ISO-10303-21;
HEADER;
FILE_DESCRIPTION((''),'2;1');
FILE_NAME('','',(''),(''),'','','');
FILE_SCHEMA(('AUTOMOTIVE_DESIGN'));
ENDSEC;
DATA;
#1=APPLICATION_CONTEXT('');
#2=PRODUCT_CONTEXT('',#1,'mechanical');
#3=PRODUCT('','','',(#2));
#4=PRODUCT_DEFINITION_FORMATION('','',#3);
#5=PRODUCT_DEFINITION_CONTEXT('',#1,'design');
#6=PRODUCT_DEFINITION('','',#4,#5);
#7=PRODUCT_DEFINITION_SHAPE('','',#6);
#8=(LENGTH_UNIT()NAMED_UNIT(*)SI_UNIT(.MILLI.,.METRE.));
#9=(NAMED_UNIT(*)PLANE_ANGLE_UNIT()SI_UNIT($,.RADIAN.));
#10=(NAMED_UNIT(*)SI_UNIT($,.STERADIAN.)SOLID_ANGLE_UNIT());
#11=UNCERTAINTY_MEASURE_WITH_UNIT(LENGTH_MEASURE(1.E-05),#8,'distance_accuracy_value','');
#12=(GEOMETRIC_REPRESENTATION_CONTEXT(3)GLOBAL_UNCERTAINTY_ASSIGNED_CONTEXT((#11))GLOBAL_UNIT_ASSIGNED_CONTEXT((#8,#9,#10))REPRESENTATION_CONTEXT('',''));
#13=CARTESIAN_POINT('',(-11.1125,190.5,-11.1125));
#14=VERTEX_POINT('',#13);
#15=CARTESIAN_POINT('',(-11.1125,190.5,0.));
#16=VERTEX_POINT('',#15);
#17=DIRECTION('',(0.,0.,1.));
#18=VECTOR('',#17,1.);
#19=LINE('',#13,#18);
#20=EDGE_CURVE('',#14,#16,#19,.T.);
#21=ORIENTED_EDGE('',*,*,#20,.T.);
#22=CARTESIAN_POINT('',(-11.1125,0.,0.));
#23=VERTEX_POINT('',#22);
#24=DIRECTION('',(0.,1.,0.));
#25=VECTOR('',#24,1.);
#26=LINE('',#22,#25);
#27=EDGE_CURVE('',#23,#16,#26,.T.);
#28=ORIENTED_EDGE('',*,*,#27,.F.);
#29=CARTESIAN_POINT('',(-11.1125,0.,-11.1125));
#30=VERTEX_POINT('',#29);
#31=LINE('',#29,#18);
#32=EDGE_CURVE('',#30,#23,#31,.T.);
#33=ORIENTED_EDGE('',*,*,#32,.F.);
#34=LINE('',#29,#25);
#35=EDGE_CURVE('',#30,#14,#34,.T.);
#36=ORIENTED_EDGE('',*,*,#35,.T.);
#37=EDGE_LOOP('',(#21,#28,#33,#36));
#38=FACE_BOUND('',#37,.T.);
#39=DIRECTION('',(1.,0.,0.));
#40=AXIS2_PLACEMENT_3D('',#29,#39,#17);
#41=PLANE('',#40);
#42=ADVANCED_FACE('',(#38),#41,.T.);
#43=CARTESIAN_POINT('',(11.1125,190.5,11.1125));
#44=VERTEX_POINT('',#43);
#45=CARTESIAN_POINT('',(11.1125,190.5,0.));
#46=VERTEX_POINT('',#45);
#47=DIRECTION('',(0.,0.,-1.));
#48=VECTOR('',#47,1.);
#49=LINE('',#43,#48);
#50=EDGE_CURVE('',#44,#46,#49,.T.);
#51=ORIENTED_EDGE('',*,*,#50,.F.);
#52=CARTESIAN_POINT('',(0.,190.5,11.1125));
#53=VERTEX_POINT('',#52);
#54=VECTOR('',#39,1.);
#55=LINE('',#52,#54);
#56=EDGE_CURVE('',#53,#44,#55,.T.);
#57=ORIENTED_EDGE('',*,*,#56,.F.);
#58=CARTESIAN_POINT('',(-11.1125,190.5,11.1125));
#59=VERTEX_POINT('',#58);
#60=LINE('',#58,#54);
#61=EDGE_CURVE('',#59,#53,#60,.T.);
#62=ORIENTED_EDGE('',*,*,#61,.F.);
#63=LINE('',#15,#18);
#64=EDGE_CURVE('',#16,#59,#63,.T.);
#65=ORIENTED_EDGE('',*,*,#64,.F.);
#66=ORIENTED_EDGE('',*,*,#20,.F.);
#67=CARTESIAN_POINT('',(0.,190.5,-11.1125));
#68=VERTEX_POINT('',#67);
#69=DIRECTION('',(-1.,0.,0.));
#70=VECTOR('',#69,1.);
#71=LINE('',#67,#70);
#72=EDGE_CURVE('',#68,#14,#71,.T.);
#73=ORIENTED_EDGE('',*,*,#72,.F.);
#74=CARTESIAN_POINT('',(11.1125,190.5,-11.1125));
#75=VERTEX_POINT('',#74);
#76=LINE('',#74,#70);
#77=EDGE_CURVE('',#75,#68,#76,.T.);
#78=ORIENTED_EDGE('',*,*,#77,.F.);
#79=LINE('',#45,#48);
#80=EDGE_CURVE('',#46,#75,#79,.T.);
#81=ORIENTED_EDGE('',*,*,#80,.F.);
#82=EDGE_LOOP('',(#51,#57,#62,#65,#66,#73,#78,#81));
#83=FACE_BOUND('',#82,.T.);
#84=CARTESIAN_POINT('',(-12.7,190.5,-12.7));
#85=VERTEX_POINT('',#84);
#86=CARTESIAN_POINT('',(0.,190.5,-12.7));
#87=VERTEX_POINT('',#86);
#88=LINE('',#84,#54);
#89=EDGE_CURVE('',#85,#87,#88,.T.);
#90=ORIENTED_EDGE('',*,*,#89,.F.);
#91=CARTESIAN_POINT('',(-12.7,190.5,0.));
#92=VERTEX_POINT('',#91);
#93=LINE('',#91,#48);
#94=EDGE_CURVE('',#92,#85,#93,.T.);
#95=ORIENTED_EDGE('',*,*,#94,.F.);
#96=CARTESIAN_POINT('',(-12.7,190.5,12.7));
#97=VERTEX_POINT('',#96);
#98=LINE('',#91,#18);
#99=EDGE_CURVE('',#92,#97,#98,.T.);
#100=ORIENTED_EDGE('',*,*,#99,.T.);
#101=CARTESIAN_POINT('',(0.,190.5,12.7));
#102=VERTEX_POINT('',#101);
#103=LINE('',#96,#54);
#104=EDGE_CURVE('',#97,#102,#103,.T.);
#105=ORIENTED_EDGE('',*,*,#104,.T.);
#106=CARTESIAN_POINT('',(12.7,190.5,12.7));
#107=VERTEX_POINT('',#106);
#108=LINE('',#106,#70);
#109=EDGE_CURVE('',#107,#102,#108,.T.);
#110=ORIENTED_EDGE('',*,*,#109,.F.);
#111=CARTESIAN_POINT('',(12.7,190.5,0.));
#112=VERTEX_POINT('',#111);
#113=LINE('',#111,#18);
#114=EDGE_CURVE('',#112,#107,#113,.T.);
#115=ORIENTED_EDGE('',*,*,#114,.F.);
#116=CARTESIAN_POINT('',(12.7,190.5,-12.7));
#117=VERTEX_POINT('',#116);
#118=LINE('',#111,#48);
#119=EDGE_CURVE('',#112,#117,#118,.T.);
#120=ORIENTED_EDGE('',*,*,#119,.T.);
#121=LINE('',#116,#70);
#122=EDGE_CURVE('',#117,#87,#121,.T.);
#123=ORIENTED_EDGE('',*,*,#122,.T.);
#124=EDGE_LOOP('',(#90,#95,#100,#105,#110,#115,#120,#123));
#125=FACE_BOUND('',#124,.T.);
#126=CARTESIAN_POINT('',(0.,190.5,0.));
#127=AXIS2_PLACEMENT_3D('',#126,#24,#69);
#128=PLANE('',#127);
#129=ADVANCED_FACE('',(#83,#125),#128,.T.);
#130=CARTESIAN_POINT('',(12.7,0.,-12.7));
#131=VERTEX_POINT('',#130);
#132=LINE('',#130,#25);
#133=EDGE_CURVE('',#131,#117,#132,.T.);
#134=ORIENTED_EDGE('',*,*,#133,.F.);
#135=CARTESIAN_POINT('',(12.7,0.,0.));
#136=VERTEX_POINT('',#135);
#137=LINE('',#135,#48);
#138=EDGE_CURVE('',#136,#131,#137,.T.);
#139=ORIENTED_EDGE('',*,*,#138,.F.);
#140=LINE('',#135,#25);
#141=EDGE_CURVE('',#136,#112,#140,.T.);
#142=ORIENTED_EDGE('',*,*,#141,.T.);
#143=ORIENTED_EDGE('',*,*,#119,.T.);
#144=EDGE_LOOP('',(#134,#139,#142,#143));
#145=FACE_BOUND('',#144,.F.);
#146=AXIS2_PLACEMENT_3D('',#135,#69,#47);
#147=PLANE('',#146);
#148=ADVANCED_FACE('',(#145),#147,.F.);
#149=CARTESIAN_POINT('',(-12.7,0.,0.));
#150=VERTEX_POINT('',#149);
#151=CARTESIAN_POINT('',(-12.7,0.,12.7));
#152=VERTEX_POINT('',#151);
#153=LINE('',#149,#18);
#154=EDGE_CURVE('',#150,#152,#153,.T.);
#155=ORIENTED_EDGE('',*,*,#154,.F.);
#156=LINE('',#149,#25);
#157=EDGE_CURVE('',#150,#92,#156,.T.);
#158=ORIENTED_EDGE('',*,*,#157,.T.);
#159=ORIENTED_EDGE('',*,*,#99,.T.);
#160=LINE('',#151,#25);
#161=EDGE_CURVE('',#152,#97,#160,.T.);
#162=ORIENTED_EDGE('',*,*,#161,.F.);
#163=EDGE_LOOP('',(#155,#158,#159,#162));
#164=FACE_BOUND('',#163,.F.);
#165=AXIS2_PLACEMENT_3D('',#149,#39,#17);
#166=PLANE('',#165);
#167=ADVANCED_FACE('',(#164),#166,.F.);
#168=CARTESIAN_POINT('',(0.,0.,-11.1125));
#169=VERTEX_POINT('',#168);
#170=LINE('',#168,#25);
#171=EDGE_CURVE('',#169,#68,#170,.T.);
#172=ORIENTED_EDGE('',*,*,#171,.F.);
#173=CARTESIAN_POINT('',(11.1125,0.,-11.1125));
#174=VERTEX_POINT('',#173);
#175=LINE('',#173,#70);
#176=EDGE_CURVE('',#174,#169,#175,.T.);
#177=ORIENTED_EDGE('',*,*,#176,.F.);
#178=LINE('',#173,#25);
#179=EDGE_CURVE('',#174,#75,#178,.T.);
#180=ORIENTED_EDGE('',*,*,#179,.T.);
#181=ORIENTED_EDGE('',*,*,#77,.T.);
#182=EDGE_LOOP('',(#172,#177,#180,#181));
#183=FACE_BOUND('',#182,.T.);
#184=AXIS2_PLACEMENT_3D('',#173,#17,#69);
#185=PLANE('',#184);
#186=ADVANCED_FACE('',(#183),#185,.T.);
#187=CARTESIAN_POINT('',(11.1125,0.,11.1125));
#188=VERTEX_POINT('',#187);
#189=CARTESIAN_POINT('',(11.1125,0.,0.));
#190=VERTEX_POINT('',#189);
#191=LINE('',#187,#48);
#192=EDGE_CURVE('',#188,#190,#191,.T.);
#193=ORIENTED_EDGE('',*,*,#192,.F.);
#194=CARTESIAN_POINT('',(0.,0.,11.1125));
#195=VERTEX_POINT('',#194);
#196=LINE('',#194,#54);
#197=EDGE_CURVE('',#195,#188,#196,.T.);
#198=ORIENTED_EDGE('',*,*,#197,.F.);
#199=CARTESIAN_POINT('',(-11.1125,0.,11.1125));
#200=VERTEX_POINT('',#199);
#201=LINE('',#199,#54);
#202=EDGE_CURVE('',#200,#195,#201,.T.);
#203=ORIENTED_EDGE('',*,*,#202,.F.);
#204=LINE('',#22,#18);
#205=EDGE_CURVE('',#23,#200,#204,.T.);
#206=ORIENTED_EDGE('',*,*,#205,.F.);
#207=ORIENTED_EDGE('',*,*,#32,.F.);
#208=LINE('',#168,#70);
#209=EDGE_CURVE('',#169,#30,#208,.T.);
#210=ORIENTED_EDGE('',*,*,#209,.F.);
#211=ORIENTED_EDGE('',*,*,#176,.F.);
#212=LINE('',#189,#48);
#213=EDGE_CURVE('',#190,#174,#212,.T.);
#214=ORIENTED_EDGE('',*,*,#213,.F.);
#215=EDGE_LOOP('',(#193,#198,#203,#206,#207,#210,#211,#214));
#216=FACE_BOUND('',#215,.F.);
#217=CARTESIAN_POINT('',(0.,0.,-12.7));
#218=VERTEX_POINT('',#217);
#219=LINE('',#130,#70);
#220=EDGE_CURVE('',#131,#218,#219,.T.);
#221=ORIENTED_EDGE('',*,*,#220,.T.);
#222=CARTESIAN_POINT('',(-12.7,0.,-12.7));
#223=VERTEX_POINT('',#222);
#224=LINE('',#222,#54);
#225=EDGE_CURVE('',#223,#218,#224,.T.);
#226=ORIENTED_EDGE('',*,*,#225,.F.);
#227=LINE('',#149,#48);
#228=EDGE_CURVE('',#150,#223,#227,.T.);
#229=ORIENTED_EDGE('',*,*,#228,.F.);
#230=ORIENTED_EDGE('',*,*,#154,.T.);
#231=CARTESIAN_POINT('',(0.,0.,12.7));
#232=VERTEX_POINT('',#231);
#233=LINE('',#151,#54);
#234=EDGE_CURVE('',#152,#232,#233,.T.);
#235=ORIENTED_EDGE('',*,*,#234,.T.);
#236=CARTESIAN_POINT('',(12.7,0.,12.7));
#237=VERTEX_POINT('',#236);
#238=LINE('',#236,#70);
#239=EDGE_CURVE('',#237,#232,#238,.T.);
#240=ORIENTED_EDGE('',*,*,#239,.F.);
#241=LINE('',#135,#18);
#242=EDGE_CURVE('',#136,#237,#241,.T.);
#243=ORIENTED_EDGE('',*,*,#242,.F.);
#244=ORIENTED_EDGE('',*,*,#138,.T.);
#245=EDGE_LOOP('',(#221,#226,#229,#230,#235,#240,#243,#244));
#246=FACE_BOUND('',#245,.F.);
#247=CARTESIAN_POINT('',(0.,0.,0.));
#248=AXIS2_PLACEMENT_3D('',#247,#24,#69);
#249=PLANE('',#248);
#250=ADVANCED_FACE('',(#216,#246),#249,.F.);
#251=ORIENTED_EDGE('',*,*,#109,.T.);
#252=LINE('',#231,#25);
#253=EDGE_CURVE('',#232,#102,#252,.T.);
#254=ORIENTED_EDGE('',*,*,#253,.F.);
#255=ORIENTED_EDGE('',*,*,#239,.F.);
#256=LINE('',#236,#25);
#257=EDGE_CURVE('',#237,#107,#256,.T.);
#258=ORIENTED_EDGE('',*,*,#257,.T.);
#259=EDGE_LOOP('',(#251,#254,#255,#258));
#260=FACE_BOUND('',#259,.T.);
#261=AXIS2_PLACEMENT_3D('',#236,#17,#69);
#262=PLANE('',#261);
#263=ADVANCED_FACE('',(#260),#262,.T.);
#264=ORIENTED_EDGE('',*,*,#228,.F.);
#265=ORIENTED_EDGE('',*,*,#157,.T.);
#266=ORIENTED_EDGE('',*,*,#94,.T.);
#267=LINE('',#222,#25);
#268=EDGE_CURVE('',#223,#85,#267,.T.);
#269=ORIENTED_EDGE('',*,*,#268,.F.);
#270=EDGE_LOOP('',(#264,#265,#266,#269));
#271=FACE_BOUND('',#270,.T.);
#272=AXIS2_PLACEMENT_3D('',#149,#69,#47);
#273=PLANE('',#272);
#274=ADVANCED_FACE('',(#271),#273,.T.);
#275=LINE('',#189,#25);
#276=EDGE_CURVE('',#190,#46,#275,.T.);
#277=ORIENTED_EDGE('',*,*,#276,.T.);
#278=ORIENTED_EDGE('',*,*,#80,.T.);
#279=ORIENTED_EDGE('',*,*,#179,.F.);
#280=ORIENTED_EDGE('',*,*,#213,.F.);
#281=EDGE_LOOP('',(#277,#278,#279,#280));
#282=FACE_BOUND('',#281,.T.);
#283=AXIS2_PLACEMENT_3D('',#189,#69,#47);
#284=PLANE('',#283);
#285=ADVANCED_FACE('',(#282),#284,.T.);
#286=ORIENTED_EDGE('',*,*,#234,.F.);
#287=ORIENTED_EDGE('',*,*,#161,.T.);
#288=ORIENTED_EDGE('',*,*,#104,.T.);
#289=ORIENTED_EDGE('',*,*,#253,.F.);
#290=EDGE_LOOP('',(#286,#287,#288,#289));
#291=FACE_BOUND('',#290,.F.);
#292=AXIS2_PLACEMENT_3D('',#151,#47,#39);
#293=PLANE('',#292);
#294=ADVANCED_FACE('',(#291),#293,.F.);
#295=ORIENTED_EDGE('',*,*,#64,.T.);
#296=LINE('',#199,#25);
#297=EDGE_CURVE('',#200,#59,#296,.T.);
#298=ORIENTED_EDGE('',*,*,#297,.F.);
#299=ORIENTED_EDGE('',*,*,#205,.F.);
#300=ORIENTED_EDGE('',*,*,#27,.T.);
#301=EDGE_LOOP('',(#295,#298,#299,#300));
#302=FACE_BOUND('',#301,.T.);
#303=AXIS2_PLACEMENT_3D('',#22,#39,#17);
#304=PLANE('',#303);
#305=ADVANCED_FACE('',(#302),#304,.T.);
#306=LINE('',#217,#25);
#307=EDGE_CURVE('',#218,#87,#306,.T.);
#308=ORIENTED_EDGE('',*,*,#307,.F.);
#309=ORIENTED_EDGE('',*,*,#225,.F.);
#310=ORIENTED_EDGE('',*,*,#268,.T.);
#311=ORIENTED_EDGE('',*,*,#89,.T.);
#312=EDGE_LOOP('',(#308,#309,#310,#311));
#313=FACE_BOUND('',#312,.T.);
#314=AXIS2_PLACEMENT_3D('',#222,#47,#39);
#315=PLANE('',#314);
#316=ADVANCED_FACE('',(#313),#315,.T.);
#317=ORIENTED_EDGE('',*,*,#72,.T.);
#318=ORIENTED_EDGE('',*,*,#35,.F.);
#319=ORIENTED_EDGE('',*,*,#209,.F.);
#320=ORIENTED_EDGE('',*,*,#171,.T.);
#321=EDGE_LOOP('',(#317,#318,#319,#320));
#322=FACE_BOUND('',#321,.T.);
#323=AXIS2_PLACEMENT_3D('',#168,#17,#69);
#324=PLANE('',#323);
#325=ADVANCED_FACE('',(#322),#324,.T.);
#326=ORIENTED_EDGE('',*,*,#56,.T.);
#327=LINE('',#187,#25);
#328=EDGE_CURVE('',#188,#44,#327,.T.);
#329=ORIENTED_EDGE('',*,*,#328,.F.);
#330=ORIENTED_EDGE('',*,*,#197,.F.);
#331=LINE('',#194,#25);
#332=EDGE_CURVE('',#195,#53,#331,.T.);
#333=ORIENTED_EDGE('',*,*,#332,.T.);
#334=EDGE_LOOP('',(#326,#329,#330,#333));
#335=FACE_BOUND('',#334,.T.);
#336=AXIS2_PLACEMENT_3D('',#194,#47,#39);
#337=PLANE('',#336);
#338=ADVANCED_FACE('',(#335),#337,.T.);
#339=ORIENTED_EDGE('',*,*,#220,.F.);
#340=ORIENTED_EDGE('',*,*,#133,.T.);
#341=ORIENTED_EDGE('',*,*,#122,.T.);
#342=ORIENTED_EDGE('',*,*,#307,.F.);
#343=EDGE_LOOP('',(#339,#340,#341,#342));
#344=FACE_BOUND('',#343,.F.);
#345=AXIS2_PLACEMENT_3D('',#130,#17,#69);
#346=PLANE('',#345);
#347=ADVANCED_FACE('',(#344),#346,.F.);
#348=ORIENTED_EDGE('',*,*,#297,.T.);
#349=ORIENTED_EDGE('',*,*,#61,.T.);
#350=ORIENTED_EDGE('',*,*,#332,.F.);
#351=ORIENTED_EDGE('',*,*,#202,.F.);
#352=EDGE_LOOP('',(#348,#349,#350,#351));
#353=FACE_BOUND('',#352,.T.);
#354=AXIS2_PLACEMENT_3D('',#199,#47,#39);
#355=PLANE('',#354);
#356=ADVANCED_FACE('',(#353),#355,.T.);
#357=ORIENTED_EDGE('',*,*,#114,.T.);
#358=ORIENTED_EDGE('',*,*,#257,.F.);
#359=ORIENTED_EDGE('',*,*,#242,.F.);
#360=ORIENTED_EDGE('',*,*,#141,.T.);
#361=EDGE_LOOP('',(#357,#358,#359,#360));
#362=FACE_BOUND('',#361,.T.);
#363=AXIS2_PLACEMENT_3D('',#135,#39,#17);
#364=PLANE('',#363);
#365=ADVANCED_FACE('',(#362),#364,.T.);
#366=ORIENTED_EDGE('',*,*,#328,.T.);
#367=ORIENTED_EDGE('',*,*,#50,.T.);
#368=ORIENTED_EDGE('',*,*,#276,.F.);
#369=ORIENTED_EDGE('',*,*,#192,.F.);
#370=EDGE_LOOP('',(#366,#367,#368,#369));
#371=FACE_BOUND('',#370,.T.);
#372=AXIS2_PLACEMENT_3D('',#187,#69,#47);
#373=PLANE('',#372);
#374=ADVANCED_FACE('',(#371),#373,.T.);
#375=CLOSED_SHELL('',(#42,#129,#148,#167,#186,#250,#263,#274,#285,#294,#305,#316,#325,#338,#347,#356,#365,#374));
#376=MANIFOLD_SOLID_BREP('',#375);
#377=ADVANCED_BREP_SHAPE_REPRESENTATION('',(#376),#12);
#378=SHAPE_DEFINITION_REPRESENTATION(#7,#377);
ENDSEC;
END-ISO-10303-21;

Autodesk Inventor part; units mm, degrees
ref_plane "YZ Plane" through (0, 0, 0) normal (1, 0, 0) x (0, 1, 0)
ref_plane "XZ Plane" through (0, 0, 0) normal (0, 1, 0) x (-1, 0, 0)
ref_plane "XY Plane" through (0, 0, 0) normal (0, 0, 1) x (1, 0, 0)
sketch "Sketch1" plane through (0, 0, 0) normal (0, 1, 0) x (-1, 0, 0)
  line L0 (12.7, 0) -> (12.7, -12.7)
  line L1 (12.7, -12.7) -> (0, -12.7)
  line L2 (0, 0) -> (24.2319, 0) construction
  line L3 (0, 0) -> (0, -21.2534) construction
  line L4 (12.7, 0) -> (12.7, 12.7)
  line L5 (12.7, 12.7) -> (0, 12.7)
  line L6 (-12.7, 0) -> (-12.7, -12.7)
  line L7 (-12.7, -12.7) -> (0, -12.7)
  line L8 (-12.7, 0) -> (-12.7, 12.7)
  line L9 (-12.7, 12.7) -> (0, 12.7)
  line L10 (0, -11.1125) -> (11.1125, -11.1125)
  line L11 (11.1125, -11.1125) -> (11.1125, 0)
  line L12 (11.1125, 0) -> (11.1125, 11.1125)
  line L13 (11.1125, 11.1125) -> (0, 11.1125)
  line L14 (0, 11.1125) -> (-11.1125, 11.1125)
  line L15 (-11.1125, 11.1125) -> (-11.1125, 0)
  line L16 (-11.1125, 0) -> (-11.1125, -11.1125)
  line L17 (-11.1125, -11.1125) -> (0, -11.1125)
  dimension "d1" = 12.7
  dimension "d2" = 12.7
  dimension "d3" = 12.7
  dimension "d4" = 12.7
  dimension "d5" = 24.2319
  dimension "d6" = 21.2534
  dimension "d7" = 1.5875
extrude "Extrusion1" add sketch "Sketch1" along normal blind 190.5
equation "\"d3\" = d1"
properties part number "gripper arm bracket"
